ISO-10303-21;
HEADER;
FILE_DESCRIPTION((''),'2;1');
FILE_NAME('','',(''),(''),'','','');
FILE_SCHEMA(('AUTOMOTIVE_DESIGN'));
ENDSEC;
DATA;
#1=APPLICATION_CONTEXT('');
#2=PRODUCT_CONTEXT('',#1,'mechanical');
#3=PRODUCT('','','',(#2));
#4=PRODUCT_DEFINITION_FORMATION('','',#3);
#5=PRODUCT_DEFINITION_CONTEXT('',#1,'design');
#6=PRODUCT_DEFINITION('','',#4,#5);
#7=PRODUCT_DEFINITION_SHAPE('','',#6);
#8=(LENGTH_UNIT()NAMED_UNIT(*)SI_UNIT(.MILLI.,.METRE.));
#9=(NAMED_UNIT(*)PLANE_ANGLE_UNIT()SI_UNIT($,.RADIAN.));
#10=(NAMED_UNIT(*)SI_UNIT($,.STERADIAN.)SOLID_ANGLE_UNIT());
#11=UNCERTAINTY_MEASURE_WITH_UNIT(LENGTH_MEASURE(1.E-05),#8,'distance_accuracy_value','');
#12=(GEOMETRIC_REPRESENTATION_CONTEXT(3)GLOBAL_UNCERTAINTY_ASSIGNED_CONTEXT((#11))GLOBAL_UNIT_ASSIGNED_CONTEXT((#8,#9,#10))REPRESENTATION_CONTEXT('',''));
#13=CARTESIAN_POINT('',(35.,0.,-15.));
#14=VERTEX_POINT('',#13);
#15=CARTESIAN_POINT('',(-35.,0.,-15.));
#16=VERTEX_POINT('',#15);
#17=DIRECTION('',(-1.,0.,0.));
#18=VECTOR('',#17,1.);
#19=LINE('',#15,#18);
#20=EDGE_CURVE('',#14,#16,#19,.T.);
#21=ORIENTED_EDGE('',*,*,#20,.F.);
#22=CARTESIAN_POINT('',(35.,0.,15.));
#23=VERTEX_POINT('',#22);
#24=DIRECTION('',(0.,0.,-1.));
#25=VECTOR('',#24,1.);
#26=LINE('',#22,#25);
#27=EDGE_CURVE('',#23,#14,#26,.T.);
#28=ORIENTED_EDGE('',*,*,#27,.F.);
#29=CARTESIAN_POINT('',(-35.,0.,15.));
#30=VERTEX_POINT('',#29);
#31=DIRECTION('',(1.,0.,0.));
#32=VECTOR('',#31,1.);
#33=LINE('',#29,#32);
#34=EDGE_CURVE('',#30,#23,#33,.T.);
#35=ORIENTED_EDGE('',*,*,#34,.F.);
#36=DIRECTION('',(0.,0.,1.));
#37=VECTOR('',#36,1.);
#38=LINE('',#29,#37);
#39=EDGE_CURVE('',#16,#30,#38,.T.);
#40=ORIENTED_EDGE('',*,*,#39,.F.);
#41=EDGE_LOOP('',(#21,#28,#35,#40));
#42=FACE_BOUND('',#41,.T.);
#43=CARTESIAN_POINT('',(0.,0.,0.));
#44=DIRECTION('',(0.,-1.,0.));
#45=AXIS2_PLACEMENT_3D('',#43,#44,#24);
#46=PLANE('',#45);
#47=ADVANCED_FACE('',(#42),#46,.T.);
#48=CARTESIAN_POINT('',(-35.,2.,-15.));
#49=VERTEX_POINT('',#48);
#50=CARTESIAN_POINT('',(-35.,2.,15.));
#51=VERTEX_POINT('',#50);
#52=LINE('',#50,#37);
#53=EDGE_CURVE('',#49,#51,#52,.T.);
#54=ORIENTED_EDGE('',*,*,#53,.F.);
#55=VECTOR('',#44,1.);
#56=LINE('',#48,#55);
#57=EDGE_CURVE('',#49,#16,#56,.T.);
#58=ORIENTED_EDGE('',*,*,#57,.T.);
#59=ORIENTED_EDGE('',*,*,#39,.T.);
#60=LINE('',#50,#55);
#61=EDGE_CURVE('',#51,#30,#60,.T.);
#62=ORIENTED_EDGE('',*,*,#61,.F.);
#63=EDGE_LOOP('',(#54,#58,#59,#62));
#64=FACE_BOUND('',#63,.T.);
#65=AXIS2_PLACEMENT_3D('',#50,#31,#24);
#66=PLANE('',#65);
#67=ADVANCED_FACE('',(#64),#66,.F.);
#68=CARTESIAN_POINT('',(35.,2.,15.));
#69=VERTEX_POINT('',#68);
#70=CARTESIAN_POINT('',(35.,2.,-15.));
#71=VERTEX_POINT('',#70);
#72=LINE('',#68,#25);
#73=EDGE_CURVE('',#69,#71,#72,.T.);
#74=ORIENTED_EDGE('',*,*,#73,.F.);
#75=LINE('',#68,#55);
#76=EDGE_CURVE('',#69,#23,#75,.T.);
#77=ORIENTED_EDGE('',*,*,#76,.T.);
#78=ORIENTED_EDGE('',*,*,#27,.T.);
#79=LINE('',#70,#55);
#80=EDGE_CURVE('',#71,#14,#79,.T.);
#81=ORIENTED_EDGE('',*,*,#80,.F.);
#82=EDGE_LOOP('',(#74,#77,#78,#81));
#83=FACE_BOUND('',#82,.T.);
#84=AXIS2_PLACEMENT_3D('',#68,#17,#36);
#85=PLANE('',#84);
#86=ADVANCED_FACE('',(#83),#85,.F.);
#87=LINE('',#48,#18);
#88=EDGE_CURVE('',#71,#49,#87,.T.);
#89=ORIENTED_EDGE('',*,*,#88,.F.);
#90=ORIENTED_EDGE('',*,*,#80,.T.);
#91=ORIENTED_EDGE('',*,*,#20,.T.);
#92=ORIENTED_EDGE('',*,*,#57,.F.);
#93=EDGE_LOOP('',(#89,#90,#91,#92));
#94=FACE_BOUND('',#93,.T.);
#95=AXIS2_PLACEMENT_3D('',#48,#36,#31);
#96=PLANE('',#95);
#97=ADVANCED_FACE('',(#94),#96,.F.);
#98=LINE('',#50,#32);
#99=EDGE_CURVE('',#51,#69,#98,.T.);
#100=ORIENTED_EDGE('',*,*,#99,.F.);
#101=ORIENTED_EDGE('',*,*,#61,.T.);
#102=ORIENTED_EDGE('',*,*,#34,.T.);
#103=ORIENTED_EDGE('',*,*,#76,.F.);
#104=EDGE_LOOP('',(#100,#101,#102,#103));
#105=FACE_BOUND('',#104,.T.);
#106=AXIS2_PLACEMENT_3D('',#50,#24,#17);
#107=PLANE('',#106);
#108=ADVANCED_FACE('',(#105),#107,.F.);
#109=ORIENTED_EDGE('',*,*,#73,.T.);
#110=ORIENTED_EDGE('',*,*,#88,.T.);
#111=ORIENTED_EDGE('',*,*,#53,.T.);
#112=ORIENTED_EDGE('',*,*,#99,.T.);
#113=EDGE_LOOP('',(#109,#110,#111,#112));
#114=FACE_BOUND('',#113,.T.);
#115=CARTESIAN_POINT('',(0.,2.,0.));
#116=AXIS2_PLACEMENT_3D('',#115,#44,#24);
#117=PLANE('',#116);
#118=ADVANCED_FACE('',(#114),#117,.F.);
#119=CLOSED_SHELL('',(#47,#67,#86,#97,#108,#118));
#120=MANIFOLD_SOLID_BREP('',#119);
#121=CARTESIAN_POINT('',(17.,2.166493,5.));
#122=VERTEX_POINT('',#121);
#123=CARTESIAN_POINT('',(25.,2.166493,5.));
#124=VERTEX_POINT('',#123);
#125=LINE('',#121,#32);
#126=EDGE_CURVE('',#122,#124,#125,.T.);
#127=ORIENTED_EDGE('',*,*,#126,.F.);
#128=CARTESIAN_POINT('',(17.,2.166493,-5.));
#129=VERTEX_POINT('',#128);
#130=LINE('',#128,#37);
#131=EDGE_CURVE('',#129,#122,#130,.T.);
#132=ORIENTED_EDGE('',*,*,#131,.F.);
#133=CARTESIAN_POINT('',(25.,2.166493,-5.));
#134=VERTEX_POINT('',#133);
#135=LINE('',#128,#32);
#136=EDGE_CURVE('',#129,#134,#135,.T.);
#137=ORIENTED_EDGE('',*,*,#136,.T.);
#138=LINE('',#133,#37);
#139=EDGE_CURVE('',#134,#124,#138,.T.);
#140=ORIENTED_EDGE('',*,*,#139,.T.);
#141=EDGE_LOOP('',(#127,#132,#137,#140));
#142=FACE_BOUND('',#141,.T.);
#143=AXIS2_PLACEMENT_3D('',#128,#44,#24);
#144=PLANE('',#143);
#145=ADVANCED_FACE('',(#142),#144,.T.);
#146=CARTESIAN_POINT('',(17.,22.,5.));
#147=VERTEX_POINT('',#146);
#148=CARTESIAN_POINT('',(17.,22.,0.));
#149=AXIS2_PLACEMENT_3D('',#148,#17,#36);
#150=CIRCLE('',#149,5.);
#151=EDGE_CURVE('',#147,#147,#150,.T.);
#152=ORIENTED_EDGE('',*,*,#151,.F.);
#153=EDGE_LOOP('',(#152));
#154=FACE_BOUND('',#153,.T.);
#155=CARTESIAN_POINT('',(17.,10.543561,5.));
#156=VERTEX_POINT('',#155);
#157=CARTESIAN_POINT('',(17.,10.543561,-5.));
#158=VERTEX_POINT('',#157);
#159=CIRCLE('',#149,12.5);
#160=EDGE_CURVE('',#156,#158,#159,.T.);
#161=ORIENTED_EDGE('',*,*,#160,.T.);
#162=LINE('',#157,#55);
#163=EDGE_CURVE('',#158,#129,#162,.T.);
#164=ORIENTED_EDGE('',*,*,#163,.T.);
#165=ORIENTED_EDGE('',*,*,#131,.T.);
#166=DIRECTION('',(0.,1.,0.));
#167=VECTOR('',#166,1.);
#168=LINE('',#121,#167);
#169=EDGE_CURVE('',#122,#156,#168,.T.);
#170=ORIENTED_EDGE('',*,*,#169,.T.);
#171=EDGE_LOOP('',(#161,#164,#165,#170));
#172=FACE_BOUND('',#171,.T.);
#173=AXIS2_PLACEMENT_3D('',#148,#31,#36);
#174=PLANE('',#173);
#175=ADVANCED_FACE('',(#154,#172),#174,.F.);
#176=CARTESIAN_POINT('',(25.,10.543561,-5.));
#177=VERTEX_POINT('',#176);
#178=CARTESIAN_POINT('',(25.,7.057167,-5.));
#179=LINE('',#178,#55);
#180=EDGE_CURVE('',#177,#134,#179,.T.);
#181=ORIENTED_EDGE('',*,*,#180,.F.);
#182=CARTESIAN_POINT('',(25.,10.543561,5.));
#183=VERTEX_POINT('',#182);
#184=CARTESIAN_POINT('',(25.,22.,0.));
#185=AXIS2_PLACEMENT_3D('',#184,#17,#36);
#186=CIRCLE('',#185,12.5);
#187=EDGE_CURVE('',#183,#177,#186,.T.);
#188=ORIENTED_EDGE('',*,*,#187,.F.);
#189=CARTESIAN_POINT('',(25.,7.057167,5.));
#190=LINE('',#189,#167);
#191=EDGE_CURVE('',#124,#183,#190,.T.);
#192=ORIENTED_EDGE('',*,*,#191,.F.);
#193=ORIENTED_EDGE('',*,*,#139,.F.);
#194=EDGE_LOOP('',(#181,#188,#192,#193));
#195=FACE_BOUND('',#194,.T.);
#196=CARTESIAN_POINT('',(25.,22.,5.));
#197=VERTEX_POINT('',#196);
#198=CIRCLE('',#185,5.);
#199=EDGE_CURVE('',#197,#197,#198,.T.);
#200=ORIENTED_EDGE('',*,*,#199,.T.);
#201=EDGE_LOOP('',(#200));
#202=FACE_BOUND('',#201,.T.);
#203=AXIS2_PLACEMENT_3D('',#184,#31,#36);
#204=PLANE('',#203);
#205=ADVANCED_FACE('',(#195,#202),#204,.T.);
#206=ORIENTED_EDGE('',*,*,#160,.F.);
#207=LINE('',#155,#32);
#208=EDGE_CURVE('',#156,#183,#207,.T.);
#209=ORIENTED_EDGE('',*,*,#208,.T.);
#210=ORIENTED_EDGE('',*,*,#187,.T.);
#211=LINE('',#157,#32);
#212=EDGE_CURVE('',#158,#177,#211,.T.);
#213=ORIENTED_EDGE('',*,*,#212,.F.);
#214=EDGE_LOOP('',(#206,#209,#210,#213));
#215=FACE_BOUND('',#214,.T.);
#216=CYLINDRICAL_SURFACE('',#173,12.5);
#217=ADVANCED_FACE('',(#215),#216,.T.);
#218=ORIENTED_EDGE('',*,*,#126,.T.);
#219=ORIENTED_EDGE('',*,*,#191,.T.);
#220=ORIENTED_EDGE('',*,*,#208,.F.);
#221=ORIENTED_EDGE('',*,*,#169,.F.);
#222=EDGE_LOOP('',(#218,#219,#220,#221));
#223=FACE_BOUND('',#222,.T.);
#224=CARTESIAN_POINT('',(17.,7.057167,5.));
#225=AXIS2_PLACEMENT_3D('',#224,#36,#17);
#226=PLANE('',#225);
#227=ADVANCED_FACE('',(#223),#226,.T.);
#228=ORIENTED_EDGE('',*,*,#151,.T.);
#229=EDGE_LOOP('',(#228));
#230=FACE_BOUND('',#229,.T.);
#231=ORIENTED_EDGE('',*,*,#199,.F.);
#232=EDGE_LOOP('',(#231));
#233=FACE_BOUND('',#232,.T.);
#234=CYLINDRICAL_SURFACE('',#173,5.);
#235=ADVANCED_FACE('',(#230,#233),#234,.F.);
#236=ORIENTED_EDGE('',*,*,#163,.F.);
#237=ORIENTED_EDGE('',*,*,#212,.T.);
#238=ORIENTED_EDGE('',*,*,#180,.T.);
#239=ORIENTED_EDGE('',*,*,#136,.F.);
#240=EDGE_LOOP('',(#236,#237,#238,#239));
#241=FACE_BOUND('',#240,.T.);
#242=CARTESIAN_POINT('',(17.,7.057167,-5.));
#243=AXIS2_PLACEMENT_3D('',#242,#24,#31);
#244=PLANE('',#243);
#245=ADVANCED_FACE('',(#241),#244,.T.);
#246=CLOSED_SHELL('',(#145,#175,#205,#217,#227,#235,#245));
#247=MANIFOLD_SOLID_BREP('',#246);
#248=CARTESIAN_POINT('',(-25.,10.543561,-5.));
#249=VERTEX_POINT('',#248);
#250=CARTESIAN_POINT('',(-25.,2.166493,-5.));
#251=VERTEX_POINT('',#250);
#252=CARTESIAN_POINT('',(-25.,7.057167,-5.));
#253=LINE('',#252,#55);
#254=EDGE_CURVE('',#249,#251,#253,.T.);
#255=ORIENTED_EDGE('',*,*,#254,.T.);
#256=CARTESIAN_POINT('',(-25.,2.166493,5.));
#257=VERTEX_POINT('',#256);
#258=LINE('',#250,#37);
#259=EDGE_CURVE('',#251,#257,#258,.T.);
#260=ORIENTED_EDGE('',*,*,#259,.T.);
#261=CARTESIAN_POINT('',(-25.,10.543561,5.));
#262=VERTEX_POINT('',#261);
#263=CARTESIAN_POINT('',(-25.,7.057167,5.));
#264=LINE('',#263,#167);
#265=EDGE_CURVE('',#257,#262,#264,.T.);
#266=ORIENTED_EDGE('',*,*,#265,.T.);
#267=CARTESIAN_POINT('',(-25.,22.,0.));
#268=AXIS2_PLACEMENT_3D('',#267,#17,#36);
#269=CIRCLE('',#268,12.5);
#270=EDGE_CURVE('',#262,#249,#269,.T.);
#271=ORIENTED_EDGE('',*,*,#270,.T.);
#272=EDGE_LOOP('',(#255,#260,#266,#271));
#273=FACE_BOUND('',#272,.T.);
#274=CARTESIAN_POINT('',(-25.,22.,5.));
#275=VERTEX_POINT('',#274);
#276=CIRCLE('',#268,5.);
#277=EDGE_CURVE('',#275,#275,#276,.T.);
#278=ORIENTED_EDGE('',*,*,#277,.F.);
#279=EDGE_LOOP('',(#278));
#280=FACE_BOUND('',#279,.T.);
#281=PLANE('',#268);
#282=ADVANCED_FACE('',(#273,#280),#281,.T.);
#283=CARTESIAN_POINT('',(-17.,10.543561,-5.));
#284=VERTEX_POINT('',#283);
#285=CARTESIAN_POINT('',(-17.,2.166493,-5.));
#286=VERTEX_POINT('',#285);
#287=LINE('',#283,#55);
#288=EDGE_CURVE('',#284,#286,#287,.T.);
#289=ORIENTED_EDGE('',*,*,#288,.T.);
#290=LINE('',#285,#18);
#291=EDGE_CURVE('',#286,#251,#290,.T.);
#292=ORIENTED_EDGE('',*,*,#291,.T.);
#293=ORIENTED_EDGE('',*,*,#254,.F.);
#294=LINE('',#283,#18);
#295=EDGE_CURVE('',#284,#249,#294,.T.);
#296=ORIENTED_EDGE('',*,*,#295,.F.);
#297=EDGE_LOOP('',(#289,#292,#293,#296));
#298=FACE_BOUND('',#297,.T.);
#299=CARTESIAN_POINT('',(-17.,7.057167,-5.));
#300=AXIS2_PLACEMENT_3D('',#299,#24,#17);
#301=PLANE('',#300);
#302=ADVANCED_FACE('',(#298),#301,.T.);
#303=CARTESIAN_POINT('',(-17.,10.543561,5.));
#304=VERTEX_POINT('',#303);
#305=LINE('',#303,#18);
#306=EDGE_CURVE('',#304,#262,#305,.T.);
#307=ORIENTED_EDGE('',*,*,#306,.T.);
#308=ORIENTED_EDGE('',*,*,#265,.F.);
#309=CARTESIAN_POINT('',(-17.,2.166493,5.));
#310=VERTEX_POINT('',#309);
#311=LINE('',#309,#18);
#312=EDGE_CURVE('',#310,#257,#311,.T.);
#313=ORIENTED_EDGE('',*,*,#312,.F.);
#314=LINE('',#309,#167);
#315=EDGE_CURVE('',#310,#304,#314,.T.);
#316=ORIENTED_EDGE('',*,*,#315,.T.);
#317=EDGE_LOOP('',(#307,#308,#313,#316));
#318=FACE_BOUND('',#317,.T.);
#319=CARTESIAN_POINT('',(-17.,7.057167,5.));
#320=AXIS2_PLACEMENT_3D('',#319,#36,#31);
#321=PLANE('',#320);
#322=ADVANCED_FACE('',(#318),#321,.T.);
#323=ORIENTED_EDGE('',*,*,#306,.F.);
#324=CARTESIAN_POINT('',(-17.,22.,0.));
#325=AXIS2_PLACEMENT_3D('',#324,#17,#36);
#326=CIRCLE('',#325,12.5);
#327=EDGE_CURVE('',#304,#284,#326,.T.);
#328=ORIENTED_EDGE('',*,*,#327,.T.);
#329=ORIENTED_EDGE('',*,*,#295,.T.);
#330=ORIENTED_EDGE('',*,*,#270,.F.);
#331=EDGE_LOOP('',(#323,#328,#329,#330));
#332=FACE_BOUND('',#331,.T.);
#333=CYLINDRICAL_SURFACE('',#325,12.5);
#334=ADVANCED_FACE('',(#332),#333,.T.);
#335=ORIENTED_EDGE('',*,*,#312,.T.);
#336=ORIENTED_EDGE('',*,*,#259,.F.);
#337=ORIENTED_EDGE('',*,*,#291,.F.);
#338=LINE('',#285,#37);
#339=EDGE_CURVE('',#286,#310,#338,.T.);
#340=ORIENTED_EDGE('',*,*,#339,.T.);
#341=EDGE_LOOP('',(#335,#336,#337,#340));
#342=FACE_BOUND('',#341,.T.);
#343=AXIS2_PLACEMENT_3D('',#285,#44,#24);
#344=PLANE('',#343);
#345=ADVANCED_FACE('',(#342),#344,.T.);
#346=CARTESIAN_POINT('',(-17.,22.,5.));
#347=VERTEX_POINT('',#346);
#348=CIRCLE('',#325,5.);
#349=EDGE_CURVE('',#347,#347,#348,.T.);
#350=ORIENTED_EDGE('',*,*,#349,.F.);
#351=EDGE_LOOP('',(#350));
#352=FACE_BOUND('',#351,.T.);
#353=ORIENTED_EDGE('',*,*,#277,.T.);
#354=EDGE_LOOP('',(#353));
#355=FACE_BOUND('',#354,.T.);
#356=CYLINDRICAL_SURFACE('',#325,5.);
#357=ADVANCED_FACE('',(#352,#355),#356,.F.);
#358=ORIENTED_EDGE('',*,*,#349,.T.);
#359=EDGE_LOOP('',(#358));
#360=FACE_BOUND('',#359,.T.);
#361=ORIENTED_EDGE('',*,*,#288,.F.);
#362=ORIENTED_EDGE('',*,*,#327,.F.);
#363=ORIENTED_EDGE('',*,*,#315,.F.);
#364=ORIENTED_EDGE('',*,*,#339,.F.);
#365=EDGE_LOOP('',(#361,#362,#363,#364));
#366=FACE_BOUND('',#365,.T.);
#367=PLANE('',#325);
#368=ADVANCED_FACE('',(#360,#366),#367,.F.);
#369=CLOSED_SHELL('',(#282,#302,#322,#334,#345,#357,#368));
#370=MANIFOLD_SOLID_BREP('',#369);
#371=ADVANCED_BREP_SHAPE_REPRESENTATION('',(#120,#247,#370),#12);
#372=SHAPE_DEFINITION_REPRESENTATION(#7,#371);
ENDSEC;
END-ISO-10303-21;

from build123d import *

# Parameters (mm, degrees)
SKETCH1_W           = 70
SKETCH1_H           = 30
BOSS_EXTRUDE1_DEPTH = 2
SKETCH2_R           = 5
BOSS_EXTRUDE2_DEPTH = 8


with BuildPart() as part:
    # Sketch1 → Boss-Extrude1 (new body)
    with BuildSketch(Plane(origin=(0, 0, 0), x_dir=(1, 0, 0), z_dir=(0, 1, 0))):
        Rectangle(SKETCH1_W, SKETCH1_H)
    extrude(amount=BOSS_EXTRUDE1_DEPTH)


with BuildPart() as body_2:
    # Sketch2 → Boss-Extrude2 (new body)
    with BuildSketch(Plane.ZY.offset(25)):
        with BuildLine():
            Line((-5, 10.543560763), (-5, 7.057167062))
            Line((-5, 7.057167062), (-5, 2.166493233))
            Line((-5, 2.166493233), (5, 2.166493233))
            Line((5, 2.166493233), (5, 7.057167062))
            Line((5, 7.057167062), (5, 10.543560763))
            ThreePointArc((5, 10.543560763), (0, 34.5), (-5, 10.543560763))
        make_face()
        with Locations((0, 22)):
            Circle(SKETCH2_R, mode=Mode.SUBTRACT)
    extrude(amount=-BOSS_EXTRUDE2_DEPTH)


with BuildPart() as body_3:
    # Mirror3: mirrored copy
    add(body_2.part.mirror(Plane.ZY))


solid = Compound([part.part, body_2.part, body_3.part])
